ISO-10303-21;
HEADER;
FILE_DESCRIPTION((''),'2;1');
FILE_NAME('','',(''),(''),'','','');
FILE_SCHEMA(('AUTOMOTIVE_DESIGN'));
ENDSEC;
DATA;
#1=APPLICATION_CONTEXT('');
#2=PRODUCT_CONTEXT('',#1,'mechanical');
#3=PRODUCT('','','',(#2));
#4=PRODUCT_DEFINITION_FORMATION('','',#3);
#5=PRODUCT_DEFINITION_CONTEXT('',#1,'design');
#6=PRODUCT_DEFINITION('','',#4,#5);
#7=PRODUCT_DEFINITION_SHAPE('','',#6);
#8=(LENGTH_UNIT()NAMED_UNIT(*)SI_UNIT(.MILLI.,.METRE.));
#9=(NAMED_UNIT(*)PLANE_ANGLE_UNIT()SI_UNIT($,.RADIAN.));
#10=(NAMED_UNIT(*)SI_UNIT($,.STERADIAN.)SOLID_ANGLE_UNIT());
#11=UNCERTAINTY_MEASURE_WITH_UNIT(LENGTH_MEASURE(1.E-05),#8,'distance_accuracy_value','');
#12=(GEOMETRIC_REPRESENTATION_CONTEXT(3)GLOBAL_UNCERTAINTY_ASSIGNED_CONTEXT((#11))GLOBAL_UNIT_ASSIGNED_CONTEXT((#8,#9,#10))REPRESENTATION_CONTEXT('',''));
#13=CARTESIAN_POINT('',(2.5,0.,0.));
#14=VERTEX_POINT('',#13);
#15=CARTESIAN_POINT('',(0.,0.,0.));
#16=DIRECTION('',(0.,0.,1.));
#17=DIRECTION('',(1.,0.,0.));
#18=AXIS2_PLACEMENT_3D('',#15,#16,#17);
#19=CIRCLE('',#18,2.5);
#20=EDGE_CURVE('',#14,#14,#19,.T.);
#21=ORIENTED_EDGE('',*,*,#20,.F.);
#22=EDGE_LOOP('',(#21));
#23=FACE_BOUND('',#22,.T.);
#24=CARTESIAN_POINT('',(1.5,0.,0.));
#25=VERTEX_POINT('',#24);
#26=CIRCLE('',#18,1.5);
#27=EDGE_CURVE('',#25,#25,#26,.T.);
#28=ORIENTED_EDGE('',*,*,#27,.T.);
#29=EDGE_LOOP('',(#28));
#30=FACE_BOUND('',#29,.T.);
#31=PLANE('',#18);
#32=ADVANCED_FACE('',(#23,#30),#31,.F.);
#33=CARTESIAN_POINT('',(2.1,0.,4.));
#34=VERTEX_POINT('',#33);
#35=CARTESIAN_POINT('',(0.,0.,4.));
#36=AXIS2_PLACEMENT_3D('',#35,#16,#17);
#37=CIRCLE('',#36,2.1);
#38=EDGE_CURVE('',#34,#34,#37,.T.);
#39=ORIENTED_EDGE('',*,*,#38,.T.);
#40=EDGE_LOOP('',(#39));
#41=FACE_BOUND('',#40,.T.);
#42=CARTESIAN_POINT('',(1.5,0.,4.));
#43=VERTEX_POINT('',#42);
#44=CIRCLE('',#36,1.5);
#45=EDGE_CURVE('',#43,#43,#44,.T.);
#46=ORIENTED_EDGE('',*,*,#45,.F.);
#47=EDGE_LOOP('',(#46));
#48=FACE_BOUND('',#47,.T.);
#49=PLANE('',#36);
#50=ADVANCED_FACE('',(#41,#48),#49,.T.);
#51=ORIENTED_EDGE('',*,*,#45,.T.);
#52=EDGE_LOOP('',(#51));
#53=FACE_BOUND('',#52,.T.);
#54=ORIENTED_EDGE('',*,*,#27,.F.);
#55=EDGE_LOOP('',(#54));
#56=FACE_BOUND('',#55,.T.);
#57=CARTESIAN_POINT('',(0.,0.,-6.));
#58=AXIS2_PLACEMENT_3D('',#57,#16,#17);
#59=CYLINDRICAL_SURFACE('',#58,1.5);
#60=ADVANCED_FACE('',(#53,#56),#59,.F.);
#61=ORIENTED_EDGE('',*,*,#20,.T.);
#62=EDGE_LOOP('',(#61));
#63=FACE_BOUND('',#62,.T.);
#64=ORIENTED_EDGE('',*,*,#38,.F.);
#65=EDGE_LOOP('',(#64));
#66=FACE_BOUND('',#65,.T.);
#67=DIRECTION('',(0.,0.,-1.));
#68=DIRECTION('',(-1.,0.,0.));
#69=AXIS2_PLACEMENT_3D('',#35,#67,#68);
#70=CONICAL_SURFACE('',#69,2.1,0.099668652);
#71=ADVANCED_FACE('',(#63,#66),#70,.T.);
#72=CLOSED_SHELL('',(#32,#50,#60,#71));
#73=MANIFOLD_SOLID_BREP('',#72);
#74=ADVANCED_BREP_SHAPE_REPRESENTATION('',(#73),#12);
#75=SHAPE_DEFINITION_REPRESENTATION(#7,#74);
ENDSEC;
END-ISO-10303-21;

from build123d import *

# Parameters (mm, degrees)
SZKIC1_R                   = 2.5
SZKIC2_R                   = 2.1
SZKIC3_R                   = 1.5
WYTNIJ_WYCI_GNI_CIE1_DEPTH = 10


with BuildPart() as part:
    # Szkic1 → Wyciągnięcie po profilach1 section 0
    with BuildSketch(Plane.XY):
        Circle(SZKIC1_R)
    # Szkic2 → Wyciągnięcie po profilach1 section 1
    with BuildSketch(Plane.XY.offset(4)):
        Circle(SZKIC2_R)
    loft()

    # Szkic3 → Wytnij-wyciągnięcie1 (cut)
    with BuildSketch(Plane.XY.offset(4)):
        Circle(SZKIC3_R)
    extrude(amount=-WYTNIJ_WYCI_GNI_CIE1_DEPTH, mode=Mode.SUBTRACT)


solid = part.part
